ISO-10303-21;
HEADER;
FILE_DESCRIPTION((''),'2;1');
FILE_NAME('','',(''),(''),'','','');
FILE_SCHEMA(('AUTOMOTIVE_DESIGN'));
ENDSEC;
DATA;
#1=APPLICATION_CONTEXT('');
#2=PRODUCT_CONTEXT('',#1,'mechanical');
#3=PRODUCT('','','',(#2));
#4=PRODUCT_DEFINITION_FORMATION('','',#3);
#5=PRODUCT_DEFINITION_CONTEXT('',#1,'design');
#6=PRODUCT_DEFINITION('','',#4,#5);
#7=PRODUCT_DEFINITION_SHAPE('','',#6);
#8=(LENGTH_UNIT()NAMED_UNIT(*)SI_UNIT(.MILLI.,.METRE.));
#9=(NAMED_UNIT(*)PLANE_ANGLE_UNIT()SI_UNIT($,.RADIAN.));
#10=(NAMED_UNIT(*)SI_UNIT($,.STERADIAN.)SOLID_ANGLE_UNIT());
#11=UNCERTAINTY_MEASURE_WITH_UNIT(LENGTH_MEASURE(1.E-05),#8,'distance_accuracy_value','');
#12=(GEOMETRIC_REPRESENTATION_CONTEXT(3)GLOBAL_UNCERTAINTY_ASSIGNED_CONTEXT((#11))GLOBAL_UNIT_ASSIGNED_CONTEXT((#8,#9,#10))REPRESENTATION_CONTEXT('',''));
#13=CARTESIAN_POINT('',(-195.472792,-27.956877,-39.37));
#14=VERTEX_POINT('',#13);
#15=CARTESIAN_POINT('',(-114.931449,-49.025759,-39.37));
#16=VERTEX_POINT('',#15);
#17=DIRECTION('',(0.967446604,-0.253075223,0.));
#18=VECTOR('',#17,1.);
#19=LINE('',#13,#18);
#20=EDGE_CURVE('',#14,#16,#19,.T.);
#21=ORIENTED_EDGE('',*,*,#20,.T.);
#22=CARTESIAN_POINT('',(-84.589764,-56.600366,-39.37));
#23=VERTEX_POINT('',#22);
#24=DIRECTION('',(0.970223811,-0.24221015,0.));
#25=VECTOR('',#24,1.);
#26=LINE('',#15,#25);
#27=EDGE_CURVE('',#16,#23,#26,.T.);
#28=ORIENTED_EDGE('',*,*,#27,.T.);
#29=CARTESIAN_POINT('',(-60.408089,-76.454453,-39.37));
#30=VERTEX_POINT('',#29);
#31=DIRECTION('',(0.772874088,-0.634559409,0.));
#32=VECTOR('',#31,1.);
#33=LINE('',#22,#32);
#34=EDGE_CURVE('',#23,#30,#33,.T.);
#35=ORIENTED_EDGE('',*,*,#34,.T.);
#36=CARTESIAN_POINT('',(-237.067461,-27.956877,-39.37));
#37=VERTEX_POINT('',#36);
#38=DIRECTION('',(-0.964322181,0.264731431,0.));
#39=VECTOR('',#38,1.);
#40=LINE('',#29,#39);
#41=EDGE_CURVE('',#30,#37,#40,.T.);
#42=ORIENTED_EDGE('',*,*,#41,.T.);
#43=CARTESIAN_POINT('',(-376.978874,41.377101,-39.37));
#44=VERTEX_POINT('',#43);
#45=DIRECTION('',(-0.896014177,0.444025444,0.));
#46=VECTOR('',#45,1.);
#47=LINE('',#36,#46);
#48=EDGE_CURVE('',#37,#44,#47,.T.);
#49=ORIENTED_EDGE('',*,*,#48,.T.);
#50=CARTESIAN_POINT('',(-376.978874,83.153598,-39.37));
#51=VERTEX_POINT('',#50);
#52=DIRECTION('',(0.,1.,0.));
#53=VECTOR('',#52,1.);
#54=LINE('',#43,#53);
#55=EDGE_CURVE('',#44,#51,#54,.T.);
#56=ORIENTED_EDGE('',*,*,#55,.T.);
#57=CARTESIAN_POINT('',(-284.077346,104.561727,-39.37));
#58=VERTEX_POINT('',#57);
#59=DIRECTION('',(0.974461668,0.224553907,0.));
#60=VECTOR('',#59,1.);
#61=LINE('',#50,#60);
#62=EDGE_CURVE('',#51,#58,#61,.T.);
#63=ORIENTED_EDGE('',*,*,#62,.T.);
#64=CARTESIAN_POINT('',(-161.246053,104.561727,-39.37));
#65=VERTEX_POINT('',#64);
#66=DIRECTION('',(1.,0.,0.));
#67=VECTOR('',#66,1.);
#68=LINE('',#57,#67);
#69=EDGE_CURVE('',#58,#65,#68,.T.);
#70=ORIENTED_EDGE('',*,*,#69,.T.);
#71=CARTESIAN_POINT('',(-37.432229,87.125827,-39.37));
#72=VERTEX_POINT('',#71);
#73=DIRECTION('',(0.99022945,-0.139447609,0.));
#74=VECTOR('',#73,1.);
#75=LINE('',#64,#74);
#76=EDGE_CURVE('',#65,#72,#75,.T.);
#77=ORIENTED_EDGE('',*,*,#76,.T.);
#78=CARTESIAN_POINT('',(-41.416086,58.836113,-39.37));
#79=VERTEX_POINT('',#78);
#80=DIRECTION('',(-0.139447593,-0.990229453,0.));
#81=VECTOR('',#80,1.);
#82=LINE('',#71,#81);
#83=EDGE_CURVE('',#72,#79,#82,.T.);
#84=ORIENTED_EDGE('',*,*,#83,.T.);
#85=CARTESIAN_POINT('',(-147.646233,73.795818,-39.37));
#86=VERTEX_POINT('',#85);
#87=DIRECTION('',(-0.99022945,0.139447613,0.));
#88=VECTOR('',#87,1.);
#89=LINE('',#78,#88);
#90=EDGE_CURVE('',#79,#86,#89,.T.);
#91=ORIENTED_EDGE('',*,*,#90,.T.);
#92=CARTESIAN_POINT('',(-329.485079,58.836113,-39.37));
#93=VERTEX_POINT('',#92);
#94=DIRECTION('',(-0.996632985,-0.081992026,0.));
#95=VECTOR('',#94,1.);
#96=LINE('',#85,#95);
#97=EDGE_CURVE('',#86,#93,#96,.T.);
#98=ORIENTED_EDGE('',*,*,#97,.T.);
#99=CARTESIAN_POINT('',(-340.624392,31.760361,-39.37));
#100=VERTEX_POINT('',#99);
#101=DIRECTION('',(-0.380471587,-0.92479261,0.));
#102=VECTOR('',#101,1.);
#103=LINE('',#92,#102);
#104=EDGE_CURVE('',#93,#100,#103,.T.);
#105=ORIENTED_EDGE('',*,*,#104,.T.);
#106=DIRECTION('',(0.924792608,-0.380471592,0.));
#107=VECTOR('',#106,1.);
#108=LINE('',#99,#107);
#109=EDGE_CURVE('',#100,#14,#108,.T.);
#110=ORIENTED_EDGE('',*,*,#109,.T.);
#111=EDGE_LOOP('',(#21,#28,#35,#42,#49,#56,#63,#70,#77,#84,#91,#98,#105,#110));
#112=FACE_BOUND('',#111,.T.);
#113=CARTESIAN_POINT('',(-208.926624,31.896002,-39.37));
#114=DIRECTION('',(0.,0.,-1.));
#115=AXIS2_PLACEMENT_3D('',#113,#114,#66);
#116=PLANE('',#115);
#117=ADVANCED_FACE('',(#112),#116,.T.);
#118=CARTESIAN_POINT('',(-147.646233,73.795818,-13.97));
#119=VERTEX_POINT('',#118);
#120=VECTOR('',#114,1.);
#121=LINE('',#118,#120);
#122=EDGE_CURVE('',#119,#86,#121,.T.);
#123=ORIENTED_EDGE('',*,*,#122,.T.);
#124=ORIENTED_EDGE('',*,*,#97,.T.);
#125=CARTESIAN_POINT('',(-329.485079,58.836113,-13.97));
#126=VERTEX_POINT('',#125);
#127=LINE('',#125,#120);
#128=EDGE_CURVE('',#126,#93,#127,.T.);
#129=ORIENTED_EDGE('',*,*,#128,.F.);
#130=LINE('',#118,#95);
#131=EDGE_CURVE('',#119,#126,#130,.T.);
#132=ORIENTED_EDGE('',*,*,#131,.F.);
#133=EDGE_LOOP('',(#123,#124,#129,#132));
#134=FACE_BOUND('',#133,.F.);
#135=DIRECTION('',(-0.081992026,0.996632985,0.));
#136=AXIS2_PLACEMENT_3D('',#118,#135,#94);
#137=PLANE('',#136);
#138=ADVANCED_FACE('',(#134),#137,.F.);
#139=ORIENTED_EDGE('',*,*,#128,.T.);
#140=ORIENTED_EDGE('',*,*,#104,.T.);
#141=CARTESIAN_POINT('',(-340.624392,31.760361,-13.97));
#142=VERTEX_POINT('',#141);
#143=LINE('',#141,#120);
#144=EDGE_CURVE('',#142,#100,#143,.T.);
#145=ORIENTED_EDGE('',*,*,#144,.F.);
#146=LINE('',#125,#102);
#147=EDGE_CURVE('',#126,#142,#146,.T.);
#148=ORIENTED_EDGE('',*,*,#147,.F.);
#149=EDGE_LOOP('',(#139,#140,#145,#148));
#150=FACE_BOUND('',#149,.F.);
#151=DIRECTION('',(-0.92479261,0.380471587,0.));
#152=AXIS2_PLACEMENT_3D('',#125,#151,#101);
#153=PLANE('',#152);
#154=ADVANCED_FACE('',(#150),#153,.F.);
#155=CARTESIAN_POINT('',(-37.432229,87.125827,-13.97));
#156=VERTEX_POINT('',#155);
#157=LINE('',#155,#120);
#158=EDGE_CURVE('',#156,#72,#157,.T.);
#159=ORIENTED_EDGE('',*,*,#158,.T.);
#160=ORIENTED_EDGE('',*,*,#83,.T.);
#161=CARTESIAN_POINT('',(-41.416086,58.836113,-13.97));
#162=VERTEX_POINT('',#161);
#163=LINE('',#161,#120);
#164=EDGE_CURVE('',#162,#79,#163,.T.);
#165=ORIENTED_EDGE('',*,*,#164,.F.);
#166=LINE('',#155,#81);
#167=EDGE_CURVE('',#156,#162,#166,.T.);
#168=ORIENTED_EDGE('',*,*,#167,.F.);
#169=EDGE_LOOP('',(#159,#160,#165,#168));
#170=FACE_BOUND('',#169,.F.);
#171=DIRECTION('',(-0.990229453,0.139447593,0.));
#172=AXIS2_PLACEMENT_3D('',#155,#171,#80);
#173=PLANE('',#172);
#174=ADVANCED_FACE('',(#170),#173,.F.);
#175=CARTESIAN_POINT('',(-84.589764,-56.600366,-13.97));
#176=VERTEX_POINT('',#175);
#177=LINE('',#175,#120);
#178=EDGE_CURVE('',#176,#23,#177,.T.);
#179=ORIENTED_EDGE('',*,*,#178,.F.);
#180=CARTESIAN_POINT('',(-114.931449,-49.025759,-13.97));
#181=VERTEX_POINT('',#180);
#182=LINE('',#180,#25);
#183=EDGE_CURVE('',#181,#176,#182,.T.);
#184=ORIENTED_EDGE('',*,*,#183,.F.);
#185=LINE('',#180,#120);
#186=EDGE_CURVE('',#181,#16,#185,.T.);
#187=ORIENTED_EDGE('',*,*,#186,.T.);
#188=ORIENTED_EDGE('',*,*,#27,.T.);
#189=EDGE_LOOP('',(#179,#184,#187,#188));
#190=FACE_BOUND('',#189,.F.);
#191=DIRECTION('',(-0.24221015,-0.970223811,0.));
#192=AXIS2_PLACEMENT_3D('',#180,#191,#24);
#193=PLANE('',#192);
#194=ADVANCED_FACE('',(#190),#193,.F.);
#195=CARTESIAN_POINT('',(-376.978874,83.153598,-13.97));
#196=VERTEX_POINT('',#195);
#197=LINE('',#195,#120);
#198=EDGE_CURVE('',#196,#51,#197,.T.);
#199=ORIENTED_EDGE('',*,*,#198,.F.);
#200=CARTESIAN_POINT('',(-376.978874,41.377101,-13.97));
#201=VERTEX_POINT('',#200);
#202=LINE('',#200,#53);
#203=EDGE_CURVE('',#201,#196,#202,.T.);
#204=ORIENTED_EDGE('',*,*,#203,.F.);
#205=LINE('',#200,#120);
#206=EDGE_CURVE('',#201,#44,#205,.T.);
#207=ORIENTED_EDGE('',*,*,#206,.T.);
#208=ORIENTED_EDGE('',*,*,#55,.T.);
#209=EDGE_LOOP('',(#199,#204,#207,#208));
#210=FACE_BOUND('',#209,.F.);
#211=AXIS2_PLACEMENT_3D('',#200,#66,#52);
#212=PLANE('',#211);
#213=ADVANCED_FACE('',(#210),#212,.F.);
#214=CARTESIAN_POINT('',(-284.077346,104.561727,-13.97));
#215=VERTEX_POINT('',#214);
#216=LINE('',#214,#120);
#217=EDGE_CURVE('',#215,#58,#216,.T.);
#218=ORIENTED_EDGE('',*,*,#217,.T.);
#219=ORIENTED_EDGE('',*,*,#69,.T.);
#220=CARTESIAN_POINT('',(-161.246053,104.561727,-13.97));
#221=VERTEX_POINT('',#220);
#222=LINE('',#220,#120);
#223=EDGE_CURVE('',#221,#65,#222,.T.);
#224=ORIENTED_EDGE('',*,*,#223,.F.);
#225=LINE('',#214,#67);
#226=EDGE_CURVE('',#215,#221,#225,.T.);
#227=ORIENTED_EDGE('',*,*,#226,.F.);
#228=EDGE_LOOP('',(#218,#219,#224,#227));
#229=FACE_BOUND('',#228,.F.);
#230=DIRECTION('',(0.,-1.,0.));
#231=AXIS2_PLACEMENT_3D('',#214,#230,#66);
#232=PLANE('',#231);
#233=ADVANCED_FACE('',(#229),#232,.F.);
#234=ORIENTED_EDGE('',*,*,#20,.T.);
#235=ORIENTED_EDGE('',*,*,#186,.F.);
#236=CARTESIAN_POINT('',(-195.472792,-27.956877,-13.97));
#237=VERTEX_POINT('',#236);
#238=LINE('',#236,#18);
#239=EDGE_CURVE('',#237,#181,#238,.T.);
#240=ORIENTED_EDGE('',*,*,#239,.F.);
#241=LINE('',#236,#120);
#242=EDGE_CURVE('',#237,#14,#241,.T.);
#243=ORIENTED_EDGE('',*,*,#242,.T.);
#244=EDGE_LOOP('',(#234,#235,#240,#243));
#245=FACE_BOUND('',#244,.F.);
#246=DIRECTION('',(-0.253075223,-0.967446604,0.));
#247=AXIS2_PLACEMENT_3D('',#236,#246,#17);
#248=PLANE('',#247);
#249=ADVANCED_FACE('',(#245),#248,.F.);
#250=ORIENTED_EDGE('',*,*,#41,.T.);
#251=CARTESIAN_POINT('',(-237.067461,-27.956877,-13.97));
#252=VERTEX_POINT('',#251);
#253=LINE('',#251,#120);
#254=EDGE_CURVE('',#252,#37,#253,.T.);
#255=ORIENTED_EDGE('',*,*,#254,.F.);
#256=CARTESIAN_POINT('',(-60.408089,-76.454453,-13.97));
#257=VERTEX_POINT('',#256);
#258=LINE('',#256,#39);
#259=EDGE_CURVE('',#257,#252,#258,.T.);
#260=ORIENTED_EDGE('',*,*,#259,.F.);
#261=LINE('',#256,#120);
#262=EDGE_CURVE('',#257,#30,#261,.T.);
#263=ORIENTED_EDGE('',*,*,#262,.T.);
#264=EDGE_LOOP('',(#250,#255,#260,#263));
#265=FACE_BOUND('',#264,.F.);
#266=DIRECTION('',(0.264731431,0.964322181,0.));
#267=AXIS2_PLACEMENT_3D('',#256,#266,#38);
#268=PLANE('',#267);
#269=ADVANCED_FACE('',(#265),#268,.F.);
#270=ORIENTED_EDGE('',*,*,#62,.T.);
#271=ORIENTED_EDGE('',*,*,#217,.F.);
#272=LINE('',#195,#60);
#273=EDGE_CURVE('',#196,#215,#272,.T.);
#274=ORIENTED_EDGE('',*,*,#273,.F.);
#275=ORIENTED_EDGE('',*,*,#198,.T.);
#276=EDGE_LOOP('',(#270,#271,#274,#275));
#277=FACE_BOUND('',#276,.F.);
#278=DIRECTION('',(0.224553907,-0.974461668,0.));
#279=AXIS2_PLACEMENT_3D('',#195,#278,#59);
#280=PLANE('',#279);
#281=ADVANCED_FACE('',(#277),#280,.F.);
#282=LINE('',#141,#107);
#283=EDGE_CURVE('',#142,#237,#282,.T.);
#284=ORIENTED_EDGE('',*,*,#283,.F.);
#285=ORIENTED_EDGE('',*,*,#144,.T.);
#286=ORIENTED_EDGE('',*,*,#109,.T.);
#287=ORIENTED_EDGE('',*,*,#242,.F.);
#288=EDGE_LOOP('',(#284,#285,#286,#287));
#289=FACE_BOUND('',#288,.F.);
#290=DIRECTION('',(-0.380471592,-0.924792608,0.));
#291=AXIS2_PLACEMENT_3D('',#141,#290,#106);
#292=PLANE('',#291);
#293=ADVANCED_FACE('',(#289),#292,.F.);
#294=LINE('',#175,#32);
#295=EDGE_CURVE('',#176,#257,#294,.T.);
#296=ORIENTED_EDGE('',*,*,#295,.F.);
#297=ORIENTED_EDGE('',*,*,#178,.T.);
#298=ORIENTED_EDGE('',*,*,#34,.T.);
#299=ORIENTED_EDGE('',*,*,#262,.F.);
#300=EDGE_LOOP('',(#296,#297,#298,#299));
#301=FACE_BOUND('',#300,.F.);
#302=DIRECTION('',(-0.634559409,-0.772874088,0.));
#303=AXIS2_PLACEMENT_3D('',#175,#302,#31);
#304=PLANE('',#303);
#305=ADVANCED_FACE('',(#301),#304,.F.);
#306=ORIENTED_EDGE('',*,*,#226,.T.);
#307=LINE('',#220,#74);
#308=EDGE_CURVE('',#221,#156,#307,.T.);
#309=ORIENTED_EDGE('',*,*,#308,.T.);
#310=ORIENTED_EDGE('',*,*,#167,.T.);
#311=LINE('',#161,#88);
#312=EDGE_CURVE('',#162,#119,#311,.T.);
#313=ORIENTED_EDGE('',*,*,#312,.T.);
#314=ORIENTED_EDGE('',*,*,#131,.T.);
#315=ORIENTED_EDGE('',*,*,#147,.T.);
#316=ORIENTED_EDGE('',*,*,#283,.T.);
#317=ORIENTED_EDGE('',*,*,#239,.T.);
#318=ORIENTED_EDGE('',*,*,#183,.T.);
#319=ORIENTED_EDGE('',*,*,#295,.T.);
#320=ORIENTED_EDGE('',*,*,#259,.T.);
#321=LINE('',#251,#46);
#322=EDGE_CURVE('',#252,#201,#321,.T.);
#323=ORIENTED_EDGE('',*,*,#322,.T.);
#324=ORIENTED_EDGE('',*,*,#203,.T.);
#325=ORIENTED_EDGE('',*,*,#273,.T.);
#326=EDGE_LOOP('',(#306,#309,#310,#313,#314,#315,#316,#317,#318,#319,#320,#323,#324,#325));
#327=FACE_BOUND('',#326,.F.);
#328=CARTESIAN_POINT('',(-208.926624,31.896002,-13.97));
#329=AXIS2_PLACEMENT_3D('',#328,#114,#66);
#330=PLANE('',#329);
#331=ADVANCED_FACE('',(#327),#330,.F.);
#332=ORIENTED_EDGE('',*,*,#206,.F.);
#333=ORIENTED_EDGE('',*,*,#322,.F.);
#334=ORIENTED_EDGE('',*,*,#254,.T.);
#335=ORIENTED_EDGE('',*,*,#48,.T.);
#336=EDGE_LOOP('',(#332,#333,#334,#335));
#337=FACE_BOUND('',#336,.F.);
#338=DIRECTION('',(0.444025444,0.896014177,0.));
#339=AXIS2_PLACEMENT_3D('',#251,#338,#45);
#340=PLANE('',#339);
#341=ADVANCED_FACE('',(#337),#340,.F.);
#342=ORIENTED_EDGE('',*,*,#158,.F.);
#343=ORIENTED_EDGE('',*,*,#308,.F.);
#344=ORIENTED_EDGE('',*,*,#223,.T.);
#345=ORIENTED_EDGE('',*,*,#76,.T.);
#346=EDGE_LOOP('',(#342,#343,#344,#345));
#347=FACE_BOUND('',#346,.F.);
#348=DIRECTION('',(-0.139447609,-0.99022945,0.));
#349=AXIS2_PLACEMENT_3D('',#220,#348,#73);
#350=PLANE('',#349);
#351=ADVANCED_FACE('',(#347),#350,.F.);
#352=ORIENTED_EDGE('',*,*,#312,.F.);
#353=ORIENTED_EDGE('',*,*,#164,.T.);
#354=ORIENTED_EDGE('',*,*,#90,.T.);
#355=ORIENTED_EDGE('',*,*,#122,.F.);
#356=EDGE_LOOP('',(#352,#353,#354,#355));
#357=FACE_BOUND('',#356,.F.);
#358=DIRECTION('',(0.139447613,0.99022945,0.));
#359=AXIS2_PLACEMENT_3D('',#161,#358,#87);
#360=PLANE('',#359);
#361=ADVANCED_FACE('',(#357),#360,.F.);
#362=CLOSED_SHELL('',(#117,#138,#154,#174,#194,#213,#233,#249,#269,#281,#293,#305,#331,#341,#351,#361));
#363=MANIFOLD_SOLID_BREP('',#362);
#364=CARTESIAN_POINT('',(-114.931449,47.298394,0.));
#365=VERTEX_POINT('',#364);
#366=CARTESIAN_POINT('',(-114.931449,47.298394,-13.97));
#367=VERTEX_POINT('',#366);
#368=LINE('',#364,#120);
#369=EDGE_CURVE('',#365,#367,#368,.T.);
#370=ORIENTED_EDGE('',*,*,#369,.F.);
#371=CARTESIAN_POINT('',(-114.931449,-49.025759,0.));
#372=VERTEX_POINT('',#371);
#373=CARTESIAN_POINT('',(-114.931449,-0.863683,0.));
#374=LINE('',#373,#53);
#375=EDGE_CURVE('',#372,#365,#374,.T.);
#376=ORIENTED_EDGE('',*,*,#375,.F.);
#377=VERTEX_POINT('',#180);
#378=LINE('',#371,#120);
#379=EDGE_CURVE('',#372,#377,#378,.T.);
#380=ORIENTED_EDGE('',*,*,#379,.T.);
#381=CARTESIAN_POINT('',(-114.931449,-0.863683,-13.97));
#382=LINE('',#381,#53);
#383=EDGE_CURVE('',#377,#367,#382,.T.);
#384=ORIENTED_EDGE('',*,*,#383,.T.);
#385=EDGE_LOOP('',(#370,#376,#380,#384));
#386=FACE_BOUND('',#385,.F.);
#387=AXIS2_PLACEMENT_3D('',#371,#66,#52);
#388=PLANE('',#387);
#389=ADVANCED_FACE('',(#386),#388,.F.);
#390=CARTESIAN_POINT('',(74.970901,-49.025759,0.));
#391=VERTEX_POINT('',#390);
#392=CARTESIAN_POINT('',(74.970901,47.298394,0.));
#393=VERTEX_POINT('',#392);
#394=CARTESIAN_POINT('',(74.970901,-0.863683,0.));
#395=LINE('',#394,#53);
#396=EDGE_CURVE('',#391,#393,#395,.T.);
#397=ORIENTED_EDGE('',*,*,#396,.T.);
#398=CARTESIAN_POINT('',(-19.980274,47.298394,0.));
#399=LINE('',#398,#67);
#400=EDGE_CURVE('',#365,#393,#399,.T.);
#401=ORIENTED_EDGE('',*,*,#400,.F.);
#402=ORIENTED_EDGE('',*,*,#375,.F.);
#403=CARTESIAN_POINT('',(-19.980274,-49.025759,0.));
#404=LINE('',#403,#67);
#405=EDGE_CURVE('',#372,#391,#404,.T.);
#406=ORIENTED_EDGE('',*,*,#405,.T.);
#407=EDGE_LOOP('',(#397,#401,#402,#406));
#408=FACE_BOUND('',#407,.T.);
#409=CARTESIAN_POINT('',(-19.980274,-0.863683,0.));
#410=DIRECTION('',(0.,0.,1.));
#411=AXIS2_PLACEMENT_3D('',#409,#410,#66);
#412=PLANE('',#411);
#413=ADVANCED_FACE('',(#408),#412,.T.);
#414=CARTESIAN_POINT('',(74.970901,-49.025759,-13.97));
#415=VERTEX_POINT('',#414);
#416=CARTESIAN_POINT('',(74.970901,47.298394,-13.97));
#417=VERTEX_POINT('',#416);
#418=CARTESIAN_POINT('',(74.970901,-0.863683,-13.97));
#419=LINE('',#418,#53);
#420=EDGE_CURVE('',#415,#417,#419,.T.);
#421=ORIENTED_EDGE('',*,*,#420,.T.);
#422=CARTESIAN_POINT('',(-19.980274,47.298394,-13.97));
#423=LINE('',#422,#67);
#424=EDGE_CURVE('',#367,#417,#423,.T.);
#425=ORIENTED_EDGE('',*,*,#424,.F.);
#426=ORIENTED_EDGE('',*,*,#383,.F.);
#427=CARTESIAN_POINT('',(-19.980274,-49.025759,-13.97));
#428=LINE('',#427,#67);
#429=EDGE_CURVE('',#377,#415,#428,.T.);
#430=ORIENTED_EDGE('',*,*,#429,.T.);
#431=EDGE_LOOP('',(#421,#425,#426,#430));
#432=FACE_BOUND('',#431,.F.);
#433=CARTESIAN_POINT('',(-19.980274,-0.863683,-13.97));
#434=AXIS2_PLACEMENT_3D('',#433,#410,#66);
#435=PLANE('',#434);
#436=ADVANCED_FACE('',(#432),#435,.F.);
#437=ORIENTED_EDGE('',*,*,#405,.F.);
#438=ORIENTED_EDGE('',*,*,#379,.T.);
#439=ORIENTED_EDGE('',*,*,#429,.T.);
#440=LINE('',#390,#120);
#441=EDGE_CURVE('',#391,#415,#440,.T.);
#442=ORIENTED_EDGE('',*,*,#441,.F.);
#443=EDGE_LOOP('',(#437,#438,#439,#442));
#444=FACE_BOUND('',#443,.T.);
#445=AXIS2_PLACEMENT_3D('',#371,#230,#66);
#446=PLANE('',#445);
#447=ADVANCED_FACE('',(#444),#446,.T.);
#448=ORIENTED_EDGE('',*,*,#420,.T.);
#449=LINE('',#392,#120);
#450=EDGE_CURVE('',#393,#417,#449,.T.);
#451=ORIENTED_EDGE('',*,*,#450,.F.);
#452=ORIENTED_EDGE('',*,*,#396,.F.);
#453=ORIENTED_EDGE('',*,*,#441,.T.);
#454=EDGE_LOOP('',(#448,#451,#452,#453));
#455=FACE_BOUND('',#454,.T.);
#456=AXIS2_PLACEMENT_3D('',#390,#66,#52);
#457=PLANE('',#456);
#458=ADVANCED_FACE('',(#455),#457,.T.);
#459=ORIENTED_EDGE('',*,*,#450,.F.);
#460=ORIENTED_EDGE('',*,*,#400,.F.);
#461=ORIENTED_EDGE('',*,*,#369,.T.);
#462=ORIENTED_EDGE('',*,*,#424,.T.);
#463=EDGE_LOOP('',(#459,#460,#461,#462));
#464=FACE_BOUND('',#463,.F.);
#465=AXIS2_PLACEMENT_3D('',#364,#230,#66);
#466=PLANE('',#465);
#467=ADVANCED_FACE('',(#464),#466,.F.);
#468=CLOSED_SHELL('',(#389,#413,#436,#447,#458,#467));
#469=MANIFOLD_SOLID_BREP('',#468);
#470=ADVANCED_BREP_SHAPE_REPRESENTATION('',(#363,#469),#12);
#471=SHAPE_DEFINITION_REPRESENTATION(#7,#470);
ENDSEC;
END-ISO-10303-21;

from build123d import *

# Parameters (mm, degrees)
F0_W     = 189.90235
F0_H     = 96.324153
F1_DEPTH = 13.97
F3_DEPTH = 25.4


with BuildPart() as f1:
    # F0 (on Top) → F1 (new body)
    with BuildSketch(Plane.XY):
        with Locations((-19.980274, -0.863683)):
            Rectangle(F0_W, F0_H)
    extrude(amount=-F1_DEPTH)


with BuildPart() as f3:
    # F2 (on face) → F3 (new body)
    with BuildSketch(Plane(origin=(0, 0, -13.97), x_dir=(1, 0, 0), z_dir=(0, 0, -1))):
        Polygon((-195.472792, 27.956877), (-114.931449, 49.025759), (-84.589764, 56.600366), (-60.408089, 76.454453), (-237.067461, 27.956877), (-376.978874, -41.377101), (-376.978874, -83.153598), (-284.077346, -104.561727), (-161.246053, -104.561727), (-37.432229, -87.125827), (-41.416086, -58.836113), (-147.646233, -73.795818), (-329.485079, -58.836113), (-340.624392, -31.760361), align=None)
    extrude(amount=F3_DEPTH)


solid = Compound([f1.part, f3.part])
